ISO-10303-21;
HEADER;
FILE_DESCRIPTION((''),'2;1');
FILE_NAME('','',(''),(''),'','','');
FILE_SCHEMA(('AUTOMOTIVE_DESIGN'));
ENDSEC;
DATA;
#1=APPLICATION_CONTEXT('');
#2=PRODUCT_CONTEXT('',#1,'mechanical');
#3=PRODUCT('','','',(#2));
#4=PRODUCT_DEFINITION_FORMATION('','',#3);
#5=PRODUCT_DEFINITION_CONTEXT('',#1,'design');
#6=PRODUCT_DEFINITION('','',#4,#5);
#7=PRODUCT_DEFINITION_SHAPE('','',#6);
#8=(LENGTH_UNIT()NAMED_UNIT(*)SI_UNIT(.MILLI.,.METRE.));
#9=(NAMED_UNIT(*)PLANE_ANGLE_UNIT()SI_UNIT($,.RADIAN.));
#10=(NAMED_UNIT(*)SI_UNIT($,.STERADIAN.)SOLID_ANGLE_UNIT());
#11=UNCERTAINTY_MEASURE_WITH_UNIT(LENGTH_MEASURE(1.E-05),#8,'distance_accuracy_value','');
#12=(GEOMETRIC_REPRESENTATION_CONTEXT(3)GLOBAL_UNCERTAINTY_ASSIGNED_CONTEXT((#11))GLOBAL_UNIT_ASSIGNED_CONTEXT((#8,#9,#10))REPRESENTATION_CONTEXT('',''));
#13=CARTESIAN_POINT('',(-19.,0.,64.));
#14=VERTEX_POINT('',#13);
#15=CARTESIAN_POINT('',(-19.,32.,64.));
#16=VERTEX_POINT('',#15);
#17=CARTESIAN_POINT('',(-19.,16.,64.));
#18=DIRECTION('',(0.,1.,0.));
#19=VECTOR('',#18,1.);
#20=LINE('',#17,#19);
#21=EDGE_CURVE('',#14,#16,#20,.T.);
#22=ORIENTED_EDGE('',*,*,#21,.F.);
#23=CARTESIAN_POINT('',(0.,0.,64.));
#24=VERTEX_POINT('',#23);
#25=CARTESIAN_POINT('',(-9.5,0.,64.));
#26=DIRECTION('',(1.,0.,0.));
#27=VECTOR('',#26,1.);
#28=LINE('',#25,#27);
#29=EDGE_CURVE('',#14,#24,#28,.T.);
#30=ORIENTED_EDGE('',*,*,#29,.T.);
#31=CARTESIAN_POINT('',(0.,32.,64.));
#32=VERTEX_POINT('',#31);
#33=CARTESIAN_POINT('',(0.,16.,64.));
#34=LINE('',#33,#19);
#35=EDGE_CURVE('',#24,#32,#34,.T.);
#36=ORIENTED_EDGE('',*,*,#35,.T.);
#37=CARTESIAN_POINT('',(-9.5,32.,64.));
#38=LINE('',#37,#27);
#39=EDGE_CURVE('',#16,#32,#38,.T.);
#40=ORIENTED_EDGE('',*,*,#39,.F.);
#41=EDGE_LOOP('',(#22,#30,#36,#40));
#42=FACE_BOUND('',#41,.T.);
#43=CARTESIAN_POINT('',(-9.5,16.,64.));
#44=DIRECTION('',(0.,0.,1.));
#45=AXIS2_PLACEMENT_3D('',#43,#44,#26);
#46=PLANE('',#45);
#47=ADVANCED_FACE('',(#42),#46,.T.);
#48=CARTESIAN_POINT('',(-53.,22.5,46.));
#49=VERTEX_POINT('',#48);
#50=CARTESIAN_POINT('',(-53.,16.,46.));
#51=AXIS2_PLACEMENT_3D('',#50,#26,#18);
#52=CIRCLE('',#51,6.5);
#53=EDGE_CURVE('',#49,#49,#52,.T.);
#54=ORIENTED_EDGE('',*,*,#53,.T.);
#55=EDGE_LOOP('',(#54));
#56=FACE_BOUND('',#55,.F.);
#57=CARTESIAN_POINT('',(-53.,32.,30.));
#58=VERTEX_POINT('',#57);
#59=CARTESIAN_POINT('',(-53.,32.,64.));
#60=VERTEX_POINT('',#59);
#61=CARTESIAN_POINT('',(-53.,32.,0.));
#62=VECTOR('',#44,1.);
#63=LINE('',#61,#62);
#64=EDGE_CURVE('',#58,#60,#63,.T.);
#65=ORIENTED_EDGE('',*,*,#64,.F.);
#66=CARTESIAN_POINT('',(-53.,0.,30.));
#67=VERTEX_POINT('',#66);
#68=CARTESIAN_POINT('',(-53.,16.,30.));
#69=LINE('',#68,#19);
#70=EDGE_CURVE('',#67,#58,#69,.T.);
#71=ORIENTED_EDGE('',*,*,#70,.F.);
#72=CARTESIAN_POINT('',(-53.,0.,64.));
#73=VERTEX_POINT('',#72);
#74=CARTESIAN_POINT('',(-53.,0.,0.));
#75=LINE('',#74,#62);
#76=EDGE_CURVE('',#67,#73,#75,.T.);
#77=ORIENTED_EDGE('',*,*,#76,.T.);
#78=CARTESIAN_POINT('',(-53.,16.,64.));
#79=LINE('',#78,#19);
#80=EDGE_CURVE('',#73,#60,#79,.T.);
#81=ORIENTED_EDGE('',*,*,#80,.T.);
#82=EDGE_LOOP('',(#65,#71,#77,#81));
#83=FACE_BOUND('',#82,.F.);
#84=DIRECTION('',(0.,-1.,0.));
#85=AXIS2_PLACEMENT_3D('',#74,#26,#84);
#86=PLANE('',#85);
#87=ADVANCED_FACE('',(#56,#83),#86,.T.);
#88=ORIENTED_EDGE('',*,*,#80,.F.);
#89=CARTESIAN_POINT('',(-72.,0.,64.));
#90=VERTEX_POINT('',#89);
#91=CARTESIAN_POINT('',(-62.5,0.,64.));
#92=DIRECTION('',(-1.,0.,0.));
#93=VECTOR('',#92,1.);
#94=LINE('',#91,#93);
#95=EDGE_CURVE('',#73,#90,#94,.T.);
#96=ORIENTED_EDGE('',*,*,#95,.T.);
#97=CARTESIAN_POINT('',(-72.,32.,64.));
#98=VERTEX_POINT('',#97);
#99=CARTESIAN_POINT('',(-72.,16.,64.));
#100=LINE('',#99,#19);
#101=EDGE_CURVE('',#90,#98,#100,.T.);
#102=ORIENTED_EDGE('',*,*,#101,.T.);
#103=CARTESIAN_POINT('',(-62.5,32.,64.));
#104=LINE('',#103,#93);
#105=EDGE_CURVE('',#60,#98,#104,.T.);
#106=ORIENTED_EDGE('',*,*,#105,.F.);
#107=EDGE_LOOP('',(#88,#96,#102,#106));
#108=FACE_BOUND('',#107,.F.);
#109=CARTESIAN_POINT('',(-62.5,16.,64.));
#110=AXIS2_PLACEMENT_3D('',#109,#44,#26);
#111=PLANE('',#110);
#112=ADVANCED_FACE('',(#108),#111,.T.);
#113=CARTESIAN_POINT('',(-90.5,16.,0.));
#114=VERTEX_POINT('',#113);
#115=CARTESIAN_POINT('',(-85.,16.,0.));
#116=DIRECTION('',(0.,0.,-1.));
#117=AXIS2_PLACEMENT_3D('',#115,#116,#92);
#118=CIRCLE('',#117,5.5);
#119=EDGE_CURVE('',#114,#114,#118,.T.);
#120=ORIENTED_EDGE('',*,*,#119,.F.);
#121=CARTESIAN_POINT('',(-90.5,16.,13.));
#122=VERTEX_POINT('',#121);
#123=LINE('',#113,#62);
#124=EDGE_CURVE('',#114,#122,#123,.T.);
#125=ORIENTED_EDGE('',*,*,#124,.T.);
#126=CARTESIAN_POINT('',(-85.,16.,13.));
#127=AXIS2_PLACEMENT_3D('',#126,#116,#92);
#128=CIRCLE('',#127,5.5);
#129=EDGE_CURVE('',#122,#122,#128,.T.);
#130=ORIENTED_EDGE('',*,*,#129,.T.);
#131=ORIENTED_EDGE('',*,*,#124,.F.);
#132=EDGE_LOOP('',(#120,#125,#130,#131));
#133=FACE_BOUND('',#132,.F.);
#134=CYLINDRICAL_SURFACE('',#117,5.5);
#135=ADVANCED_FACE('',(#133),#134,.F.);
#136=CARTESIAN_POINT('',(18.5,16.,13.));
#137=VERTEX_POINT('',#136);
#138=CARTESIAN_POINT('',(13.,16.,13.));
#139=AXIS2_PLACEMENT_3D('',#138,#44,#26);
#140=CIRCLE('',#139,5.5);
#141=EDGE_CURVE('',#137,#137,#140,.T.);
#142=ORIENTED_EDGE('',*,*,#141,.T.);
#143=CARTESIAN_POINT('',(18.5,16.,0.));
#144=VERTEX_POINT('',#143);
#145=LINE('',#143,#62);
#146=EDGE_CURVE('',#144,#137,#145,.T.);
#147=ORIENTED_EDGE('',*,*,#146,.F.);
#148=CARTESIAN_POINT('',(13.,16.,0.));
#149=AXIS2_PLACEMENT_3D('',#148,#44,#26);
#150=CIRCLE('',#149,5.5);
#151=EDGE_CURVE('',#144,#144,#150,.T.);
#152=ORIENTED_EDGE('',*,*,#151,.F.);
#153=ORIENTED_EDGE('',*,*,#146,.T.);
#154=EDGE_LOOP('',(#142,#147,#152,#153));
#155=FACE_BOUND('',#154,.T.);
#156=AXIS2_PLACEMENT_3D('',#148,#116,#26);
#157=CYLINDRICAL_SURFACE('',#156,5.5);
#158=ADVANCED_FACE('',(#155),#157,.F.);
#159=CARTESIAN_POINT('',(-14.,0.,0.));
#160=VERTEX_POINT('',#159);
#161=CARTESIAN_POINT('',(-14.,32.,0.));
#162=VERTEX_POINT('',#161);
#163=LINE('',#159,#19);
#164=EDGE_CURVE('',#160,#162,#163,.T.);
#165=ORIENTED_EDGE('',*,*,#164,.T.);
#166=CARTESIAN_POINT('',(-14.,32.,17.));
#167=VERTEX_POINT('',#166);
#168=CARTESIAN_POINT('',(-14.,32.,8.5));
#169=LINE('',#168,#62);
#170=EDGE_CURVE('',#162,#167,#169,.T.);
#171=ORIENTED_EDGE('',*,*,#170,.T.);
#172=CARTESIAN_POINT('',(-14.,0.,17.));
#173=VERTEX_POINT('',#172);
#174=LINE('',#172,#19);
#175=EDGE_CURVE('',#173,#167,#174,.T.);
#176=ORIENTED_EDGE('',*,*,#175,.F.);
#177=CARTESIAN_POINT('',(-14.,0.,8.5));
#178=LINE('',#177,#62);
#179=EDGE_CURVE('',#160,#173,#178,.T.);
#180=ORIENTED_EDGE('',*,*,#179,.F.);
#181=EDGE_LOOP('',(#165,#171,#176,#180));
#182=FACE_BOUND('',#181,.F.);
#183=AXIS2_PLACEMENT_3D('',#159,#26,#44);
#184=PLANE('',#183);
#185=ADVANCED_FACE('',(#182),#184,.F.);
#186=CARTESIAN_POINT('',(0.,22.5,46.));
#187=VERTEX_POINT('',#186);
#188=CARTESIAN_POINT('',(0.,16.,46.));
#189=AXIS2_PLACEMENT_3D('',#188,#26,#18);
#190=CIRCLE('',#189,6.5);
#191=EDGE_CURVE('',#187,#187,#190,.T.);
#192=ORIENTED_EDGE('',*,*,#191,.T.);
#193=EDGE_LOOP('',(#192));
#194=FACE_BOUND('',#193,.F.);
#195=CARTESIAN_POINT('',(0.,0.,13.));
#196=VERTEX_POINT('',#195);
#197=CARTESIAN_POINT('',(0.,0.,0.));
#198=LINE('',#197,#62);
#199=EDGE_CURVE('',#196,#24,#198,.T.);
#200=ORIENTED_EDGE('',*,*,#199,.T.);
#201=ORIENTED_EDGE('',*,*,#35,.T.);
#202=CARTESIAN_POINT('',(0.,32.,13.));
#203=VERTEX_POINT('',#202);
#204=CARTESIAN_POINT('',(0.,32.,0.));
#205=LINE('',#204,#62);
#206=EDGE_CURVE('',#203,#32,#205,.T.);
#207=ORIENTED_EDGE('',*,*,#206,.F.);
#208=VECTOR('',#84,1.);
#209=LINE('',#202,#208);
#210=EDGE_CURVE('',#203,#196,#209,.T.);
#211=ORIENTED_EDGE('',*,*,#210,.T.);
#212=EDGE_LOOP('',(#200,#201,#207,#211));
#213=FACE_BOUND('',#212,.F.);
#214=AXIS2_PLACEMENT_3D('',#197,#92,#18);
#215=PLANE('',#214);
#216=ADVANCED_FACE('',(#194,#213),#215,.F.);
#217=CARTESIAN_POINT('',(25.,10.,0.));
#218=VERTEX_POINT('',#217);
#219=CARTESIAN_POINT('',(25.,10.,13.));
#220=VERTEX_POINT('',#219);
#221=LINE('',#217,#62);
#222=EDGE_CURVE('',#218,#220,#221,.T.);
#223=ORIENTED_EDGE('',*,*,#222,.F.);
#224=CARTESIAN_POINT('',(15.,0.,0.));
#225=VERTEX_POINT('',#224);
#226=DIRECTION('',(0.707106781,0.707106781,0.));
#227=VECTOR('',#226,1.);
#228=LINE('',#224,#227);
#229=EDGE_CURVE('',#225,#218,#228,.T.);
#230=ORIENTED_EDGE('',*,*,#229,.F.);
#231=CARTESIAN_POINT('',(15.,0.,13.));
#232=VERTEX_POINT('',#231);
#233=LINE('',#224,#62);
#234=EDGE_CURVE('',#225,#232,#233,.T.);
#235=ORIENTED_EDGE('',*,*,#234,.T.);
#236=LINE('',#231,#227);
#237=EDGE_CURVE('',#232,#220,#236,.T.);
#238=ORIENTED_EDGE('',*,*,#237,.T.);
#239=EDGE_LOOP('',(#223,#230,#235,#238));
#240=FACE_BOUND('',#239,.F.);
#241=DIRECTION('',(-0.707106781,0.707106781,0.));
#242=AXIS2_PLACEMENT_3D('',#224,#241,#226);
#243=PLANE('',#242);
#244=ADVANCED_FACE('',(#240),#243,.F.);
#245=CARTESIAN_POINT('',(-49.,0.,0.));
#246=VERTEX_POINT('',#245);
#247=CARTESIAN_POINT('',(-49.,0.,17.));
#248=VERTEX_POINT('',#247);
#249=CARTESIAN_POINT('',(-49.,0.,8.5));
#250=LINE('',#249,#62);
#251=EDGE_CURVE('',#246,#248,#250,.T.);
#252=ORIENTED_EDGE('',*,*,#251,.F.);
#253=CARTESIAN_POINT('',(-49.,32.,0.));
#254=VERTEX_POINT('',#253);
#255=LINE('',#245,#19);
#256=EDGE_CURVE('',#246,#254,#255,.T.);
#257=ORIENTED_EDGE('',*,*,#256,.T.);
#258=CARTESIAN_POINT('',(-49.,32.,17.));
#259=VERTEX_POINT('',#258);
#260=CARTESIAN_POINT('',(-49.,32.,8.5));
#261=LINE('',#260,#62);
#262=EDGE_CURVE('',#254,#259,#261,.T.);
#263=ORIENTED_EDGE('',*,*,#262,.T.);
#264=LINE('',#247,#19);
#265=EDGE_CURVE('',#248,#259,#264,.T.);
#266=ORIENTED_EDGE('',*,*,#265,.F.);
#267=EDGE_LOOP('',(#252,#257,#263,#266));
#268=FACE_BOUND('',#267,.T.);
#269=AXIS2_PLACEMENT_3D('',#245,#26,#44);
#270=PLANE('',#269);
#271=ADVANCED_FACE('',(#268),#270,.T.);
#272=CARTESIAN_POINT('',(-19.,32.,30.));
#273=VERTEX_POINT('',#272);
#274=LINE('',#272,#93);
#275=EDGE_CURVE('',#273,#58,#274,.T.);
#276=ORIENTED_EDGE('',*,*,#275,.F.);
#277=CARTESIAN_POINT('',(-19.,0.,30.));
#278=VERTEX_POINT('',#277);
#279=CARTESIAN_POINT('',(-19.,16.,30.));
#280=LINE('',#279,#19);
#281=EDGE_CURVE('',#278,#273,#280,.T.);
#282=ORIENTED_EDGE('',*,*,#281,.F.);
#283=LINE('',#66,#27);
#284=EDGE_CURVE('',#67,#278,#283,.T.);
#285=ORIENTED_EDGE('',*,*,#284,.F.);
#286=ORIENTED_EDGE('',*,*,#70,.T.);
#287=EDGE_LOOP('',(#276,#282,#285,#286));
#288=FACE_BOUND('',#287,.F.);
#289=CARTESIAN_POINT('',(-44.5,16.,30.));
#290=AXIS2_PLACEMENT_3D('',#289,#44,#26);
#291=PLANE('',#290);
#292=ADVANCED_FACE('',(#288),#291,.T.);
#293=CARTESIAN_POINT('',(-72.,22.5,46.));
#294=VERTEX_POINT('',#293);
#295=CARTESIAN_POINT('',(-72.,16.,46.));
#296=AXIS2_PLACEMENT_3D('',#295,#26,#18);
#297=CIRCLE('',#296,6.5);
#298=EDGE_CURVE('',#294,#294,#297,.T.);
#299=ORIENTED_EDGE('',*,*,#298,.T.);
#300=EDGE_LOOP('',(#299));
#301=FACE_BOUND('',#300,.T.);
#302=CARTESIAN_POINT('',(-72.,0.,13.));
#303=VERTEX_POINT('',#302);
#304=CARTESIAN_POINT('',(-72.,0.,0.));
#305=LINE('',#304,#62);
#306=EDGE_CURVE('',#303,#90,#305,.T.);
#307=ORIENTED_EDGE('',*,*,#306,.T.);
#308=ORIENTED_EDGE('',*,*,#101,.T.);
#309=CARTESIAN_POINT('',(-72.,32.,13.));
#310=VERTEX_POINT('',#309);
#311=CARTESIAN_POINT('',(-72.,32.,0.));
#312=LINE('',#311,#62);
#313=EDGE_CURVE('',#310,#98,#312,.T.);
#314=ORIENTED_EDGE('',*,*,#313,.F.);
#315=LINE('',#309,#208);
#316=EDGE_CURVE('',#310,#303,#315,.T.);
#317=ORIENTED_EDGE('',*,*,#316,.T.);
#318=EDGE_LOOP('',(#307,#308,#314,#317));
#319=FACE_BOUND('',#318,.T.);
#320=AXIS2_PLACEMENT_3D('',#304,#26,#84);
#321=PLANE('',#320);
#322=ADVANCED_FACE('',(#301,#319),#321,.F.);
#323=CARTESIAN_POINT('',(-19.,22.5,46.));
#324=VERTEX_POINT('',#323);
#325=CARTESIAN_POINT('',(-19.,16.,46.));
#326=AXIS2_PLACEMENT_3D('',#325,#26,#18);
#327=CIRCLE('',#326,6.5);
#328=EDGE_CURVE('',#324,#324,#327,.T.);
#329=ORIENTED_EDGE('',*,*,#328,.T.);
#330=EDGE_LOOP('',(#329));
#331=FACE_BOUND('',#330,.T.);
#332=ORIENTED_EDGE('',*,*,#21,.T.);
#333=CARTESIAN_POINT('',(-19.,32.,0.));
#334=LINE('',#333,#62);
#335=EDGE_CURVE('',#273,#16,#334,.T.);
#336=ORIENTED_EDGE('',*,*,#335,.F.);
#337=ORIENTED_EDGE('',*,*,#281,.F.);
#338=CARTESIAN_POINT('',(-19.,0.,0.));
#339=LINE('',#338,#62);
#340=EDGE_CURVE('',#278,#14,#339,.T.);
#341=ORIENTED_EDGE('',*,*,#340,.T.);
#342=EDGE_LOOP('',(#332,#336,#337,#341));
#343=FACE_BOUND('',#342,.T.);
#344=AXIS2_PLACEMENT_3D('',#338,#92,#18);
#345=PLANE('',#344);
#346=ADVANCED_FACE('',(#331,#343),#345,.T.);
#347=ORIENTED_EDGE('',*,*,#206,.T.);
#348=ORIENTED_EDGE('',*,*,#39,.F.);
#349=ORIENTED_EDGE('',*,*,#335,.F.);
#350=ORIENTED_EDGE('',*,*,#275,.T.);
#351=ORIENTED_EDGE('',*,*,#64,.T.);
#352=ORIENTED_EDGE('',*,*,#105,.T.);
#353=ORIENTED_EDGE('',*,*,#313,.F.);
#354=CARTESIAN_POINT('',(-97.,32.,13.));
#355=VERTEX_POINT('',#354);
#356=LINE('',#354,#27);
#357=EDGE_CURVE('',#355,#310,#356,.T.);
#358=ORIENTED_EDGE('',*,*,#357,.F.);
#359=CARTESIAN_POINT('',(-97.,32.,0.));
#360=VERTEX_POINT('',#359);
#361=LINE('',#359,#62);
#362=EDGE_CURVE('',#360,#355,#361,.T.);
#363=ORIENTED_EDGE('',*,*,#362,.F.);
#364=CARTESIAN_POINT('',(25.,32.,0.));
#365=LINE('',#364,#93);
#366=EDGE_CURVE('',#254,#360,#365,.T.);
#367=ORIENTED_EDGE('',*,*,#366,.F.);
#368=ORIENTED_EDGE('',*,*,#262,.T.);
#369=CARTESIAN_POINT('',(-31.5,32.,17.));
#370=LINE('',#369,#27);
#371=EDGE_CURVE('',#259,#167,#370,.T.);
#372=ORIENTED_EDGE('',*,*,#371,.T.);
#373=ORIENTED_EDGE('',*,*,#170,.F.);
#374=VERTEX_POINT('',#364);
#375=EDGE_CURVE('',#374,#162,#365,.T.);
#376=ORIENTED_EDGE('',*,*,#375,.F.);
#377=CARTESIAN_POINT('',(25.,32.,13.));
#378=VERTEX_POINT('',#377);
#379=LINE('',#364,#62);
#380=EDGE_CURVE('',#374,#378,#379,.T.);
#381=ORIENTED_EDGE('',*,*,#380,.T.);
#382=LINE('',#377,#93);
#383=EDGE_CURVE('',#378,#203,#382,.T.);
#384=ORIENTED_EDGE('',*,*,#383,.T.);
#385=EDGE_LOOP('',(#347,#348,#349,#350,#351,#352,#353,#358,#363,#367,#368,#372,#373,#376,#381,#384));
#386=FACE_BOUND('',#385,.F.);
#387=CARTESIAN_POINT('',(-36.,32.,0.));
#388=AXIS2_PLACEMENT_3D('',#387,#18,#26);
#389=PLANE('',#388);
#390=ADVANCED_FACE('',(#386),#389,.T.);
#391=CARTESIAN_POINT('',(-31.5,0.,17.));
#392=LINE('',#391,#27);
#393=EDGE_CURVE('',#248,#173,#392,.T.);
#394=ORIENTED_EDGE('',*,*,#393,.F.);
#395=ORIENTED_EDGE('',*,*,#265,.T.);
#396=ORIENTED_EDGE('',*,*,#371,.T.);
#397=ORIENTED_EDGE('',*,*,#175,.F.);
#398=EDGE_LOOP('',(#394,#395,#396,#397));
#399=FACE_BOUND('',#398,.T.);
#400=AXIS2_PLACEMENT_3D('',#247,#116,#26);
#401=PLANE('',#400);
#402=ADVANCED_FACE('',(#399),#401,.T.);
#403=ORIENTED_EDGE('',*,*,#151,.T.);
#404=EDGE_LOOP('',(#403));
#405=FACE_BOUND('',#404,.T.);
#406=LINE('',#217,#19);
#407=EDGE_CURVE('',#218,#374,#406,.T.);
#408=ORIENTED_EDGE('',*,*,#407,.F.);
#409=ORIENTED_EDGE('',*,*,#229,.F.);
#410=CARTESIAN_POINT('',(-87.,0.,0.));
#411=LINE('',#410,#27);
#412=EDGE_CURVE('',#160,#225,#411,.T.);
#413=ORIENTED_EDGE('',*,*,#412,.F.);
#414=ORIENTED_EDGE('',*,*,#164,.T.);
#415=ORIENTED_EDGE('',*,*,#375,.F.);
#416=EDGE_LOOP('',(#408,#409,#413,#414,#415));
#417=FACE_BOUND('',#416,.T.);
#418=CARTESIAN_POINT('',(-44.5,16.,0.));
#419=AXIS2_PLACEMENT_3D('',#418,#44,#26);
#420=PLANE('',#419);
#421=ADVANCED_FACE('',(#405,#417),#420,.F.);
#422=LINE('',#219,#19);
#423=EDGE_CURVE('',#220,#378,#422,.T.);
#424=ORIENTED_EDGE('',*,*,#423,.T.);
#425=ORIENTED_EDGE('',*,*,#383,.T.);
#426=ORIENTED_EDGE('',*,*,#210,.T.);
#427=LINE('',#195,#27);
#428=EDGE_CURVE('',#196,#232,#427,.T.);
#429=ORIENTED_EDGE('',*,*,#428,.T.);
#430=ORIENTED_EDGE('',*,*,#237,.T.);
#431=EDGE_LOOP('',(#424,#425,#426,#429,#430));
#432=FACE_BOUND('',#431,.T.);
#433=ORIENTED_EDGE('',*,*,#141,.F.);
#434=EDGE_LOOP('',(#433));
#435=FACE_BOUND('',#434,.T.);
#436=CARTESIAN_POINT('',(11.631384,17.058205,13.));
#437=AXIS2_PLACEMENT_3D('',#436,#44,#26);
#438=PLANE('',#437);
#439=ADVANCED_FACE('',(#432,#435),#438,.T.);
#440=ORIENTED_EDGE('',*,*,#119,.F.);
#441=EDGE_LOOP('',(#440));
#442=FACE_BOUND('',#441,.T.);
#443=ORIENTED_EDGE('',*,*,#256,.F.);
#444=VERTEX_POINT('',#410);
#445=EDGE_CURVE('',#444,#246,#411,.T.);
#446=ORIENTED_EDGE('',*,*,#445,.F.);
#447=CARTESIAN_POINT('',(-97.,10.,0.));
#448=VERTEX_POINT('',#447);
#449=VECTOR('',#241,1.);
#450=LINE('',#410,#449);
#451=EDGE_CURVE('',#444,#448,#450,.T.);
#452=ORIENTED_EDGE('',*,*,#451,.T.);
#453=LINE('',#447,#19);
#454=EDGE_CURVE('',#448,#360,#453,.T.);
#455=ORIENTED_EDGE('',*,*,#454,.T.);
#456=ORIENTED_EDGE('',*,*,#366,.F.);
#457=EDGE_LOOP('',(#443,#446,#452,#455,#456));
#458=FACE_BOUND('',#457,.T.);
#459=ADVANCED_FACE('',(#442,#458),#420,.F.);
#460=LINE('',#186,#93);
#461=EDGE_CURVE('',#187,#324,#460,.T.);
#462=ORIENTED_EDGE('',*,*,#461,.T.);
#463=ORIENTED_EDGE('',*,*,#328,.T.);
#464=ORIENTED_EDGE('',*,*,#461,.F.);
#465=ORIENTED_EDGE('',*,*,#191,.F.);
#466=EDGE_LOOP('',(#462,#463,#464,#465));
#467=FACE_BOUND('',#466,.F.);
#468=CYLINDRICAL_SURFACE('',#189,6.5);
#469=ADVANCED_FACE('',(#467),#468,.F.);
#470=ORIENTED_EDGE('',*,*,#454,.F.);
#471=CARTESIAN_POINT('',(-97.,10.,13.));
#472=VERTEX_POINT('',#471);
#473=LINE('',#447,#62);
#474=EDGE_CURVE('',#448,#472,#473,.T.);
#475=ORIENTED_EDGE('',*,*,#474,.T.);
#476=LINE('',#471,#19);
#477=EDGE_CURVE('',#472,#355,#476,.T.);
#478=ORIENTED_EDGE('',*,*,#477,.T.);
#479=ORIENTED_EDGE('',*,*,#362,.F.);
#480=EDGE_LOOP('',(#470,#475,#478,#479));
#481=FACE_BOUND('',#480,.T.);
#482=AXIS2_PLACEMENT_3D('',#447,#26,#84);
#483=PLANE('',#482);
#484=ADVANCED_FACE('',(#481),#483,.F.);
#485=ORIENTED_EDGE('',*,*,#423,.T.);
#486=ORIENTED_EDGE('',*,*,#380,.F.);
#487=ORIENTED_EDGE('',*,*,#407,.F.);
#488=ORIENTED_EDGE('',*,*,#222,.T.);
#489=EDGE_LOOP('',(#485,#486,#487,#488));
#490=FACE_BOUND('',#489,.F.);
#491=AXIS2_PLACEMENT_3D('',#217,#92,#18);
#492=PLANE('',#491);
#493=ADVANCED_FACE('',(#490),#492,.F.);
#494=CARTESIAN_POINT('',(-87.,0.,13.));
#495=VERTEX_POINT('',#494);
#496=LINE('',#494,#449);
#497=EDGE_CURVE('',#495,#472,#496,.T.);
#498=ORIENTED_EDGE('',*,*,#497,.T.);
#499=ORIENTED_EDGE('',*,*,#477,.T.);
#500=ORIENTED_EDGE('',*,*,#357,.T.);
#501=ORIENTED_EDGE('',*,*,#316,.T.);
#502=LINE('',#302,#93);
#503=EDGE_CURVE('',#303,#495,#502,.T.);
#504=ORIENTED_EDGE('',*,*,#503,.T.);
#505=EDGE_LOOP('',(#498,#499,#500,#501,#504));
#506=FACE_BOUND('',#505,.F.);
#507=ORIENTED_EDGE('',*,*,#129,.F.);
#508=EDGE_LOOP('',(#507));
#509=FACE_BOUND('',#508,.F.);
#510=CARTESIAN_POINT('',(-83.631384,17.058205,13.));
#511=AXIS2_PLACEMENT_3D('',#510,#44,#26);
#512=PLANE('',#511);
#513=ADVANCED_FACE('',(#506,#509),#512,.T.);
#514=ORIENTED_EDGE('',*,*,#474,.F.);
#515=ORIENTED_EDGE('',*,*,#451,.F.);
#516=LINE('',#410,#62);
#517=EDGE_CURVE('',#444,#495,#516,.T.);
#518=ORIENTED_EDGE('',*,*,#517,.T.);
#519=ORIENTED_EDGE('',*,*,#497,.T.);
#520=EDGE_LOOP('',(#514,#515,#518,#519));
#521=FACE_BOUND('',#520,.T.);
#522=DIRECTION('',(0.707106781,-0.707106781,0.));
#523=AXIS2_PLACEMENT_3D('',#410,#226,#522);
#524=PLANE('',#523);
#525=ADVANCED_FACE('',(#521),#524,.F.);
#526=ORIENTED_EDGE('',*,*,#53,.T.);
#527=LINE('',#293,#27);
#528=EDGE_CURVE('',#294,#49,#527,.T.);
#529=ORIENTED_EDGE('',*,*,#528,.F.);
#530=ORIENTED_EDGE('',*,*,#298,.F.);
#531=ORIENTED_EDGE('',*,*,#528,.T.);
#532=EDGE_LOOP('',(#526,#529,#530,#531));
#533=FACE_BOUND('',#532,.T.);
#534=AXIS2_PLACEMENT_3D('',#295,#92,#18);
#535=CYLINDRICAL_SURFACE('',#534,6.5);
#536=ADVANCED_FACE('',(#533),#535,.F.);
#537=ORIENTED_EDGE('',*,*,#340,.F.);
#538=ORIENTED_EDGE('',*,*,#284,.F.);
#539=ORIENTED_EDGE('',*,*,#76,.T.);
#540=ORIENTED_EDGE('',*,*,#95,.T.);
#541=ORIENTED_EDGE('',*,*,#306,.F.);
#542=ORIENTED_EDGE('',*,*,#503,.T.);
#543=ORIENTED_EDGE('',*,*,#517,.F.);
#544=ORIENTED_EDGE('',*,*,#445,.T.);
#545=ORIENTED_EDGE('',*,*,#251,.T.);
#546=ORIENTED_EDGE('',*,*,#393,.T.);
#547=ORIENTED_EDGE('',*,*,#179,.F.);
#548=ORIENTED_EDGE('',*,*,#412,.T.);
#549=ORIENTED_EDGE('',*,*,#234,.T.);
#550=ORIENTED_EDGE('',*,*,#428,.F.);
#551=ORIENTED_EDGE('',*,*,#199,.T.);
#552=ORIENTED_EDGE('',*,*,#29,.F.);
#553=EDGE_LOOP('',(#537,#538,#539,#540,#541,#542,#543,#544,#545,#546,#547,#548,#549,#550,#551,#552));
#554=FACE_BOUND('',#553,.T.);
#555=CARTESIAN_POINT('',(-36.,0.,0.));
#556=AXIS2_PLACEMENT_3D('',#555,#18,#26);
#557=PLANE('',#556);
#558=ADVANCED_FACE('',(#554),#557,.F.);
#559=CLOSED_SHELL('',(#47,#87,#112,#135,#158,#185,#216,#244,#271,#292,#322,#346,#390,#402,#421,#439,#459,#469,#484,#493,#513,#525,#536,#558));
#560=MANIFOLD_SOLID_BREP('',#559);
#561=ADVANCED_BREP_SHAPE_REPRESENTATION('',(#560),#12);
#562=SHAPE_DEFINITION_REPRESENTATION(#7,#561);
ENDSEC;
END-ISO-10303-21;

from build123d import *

# Parameters (mm, degrees)
F0_R      = 5.5
F1_DEPTH  = 13
F2_W      = 19
F2_H      = 32
F3_DEPTH  = 64
F4_R      = 6.5
F5_DEPTH  = 19
F6_W      = 17
F6_H      = 32
F7_DEPTH  = 30
F10_W     = 35
F10_H     = 17
F11_DEPTH = 32


with BuildPart() as f1:
    # F0 (on Top) → F1 (new body)
    with BuildSketch(Plane.XY):
        Polygon((0, 32), (0, 0), (15, 0), (25, 10), (25, 32), align=None)
        with Locations((13, 16)):
            Circle(F0_R, mode=Mode.SUBTRACT)
    extrude(amount=F1_DEPTH)

    # F2 (on Top) → F3 (join)
    with BuildSketch(Plane.XY):
        with Locations((-9.5, 16)):
            Rectangle(F2_W, F2_H)
    extrude(amount=F3_DEPTH)

    # F4 (on face) → F5 (cut, through all)
    with BuildSketch(Plane.YZ):
        with Locations((16, 46)):
            Circle(F4_R)
    extrude(amount=-F5_DEPTH, mode=Mode.SUBTRACT)

    # F6 (on Top) → F7 (join)
    with BuildSketch(Plane.XY):
        with Locations((-27.5, 16)):
            Rectangle(F6_W, F6_H)
    extrude(amount=F7_DEPTH)

    # F9: F1 across plane


with BuildPart() as f1_1:
    add(f1.part)
    add(f1.part.mirror(Plane(origin=(-36, 16, 15), x_dir=(0, -1, 0), z_dir=(-1, 0, 0))))

    # F10 (on face) → F11 (cut, through all)
    with BuildSketch(Plane.XZ):
        with Locations((-31.5, 8.5)):
            Rectangle(F10_W, F10_H)
    extrude(amount=-F11_DEPTH, mode=Mode.SUBTRACT)


solid = f1_1.part
